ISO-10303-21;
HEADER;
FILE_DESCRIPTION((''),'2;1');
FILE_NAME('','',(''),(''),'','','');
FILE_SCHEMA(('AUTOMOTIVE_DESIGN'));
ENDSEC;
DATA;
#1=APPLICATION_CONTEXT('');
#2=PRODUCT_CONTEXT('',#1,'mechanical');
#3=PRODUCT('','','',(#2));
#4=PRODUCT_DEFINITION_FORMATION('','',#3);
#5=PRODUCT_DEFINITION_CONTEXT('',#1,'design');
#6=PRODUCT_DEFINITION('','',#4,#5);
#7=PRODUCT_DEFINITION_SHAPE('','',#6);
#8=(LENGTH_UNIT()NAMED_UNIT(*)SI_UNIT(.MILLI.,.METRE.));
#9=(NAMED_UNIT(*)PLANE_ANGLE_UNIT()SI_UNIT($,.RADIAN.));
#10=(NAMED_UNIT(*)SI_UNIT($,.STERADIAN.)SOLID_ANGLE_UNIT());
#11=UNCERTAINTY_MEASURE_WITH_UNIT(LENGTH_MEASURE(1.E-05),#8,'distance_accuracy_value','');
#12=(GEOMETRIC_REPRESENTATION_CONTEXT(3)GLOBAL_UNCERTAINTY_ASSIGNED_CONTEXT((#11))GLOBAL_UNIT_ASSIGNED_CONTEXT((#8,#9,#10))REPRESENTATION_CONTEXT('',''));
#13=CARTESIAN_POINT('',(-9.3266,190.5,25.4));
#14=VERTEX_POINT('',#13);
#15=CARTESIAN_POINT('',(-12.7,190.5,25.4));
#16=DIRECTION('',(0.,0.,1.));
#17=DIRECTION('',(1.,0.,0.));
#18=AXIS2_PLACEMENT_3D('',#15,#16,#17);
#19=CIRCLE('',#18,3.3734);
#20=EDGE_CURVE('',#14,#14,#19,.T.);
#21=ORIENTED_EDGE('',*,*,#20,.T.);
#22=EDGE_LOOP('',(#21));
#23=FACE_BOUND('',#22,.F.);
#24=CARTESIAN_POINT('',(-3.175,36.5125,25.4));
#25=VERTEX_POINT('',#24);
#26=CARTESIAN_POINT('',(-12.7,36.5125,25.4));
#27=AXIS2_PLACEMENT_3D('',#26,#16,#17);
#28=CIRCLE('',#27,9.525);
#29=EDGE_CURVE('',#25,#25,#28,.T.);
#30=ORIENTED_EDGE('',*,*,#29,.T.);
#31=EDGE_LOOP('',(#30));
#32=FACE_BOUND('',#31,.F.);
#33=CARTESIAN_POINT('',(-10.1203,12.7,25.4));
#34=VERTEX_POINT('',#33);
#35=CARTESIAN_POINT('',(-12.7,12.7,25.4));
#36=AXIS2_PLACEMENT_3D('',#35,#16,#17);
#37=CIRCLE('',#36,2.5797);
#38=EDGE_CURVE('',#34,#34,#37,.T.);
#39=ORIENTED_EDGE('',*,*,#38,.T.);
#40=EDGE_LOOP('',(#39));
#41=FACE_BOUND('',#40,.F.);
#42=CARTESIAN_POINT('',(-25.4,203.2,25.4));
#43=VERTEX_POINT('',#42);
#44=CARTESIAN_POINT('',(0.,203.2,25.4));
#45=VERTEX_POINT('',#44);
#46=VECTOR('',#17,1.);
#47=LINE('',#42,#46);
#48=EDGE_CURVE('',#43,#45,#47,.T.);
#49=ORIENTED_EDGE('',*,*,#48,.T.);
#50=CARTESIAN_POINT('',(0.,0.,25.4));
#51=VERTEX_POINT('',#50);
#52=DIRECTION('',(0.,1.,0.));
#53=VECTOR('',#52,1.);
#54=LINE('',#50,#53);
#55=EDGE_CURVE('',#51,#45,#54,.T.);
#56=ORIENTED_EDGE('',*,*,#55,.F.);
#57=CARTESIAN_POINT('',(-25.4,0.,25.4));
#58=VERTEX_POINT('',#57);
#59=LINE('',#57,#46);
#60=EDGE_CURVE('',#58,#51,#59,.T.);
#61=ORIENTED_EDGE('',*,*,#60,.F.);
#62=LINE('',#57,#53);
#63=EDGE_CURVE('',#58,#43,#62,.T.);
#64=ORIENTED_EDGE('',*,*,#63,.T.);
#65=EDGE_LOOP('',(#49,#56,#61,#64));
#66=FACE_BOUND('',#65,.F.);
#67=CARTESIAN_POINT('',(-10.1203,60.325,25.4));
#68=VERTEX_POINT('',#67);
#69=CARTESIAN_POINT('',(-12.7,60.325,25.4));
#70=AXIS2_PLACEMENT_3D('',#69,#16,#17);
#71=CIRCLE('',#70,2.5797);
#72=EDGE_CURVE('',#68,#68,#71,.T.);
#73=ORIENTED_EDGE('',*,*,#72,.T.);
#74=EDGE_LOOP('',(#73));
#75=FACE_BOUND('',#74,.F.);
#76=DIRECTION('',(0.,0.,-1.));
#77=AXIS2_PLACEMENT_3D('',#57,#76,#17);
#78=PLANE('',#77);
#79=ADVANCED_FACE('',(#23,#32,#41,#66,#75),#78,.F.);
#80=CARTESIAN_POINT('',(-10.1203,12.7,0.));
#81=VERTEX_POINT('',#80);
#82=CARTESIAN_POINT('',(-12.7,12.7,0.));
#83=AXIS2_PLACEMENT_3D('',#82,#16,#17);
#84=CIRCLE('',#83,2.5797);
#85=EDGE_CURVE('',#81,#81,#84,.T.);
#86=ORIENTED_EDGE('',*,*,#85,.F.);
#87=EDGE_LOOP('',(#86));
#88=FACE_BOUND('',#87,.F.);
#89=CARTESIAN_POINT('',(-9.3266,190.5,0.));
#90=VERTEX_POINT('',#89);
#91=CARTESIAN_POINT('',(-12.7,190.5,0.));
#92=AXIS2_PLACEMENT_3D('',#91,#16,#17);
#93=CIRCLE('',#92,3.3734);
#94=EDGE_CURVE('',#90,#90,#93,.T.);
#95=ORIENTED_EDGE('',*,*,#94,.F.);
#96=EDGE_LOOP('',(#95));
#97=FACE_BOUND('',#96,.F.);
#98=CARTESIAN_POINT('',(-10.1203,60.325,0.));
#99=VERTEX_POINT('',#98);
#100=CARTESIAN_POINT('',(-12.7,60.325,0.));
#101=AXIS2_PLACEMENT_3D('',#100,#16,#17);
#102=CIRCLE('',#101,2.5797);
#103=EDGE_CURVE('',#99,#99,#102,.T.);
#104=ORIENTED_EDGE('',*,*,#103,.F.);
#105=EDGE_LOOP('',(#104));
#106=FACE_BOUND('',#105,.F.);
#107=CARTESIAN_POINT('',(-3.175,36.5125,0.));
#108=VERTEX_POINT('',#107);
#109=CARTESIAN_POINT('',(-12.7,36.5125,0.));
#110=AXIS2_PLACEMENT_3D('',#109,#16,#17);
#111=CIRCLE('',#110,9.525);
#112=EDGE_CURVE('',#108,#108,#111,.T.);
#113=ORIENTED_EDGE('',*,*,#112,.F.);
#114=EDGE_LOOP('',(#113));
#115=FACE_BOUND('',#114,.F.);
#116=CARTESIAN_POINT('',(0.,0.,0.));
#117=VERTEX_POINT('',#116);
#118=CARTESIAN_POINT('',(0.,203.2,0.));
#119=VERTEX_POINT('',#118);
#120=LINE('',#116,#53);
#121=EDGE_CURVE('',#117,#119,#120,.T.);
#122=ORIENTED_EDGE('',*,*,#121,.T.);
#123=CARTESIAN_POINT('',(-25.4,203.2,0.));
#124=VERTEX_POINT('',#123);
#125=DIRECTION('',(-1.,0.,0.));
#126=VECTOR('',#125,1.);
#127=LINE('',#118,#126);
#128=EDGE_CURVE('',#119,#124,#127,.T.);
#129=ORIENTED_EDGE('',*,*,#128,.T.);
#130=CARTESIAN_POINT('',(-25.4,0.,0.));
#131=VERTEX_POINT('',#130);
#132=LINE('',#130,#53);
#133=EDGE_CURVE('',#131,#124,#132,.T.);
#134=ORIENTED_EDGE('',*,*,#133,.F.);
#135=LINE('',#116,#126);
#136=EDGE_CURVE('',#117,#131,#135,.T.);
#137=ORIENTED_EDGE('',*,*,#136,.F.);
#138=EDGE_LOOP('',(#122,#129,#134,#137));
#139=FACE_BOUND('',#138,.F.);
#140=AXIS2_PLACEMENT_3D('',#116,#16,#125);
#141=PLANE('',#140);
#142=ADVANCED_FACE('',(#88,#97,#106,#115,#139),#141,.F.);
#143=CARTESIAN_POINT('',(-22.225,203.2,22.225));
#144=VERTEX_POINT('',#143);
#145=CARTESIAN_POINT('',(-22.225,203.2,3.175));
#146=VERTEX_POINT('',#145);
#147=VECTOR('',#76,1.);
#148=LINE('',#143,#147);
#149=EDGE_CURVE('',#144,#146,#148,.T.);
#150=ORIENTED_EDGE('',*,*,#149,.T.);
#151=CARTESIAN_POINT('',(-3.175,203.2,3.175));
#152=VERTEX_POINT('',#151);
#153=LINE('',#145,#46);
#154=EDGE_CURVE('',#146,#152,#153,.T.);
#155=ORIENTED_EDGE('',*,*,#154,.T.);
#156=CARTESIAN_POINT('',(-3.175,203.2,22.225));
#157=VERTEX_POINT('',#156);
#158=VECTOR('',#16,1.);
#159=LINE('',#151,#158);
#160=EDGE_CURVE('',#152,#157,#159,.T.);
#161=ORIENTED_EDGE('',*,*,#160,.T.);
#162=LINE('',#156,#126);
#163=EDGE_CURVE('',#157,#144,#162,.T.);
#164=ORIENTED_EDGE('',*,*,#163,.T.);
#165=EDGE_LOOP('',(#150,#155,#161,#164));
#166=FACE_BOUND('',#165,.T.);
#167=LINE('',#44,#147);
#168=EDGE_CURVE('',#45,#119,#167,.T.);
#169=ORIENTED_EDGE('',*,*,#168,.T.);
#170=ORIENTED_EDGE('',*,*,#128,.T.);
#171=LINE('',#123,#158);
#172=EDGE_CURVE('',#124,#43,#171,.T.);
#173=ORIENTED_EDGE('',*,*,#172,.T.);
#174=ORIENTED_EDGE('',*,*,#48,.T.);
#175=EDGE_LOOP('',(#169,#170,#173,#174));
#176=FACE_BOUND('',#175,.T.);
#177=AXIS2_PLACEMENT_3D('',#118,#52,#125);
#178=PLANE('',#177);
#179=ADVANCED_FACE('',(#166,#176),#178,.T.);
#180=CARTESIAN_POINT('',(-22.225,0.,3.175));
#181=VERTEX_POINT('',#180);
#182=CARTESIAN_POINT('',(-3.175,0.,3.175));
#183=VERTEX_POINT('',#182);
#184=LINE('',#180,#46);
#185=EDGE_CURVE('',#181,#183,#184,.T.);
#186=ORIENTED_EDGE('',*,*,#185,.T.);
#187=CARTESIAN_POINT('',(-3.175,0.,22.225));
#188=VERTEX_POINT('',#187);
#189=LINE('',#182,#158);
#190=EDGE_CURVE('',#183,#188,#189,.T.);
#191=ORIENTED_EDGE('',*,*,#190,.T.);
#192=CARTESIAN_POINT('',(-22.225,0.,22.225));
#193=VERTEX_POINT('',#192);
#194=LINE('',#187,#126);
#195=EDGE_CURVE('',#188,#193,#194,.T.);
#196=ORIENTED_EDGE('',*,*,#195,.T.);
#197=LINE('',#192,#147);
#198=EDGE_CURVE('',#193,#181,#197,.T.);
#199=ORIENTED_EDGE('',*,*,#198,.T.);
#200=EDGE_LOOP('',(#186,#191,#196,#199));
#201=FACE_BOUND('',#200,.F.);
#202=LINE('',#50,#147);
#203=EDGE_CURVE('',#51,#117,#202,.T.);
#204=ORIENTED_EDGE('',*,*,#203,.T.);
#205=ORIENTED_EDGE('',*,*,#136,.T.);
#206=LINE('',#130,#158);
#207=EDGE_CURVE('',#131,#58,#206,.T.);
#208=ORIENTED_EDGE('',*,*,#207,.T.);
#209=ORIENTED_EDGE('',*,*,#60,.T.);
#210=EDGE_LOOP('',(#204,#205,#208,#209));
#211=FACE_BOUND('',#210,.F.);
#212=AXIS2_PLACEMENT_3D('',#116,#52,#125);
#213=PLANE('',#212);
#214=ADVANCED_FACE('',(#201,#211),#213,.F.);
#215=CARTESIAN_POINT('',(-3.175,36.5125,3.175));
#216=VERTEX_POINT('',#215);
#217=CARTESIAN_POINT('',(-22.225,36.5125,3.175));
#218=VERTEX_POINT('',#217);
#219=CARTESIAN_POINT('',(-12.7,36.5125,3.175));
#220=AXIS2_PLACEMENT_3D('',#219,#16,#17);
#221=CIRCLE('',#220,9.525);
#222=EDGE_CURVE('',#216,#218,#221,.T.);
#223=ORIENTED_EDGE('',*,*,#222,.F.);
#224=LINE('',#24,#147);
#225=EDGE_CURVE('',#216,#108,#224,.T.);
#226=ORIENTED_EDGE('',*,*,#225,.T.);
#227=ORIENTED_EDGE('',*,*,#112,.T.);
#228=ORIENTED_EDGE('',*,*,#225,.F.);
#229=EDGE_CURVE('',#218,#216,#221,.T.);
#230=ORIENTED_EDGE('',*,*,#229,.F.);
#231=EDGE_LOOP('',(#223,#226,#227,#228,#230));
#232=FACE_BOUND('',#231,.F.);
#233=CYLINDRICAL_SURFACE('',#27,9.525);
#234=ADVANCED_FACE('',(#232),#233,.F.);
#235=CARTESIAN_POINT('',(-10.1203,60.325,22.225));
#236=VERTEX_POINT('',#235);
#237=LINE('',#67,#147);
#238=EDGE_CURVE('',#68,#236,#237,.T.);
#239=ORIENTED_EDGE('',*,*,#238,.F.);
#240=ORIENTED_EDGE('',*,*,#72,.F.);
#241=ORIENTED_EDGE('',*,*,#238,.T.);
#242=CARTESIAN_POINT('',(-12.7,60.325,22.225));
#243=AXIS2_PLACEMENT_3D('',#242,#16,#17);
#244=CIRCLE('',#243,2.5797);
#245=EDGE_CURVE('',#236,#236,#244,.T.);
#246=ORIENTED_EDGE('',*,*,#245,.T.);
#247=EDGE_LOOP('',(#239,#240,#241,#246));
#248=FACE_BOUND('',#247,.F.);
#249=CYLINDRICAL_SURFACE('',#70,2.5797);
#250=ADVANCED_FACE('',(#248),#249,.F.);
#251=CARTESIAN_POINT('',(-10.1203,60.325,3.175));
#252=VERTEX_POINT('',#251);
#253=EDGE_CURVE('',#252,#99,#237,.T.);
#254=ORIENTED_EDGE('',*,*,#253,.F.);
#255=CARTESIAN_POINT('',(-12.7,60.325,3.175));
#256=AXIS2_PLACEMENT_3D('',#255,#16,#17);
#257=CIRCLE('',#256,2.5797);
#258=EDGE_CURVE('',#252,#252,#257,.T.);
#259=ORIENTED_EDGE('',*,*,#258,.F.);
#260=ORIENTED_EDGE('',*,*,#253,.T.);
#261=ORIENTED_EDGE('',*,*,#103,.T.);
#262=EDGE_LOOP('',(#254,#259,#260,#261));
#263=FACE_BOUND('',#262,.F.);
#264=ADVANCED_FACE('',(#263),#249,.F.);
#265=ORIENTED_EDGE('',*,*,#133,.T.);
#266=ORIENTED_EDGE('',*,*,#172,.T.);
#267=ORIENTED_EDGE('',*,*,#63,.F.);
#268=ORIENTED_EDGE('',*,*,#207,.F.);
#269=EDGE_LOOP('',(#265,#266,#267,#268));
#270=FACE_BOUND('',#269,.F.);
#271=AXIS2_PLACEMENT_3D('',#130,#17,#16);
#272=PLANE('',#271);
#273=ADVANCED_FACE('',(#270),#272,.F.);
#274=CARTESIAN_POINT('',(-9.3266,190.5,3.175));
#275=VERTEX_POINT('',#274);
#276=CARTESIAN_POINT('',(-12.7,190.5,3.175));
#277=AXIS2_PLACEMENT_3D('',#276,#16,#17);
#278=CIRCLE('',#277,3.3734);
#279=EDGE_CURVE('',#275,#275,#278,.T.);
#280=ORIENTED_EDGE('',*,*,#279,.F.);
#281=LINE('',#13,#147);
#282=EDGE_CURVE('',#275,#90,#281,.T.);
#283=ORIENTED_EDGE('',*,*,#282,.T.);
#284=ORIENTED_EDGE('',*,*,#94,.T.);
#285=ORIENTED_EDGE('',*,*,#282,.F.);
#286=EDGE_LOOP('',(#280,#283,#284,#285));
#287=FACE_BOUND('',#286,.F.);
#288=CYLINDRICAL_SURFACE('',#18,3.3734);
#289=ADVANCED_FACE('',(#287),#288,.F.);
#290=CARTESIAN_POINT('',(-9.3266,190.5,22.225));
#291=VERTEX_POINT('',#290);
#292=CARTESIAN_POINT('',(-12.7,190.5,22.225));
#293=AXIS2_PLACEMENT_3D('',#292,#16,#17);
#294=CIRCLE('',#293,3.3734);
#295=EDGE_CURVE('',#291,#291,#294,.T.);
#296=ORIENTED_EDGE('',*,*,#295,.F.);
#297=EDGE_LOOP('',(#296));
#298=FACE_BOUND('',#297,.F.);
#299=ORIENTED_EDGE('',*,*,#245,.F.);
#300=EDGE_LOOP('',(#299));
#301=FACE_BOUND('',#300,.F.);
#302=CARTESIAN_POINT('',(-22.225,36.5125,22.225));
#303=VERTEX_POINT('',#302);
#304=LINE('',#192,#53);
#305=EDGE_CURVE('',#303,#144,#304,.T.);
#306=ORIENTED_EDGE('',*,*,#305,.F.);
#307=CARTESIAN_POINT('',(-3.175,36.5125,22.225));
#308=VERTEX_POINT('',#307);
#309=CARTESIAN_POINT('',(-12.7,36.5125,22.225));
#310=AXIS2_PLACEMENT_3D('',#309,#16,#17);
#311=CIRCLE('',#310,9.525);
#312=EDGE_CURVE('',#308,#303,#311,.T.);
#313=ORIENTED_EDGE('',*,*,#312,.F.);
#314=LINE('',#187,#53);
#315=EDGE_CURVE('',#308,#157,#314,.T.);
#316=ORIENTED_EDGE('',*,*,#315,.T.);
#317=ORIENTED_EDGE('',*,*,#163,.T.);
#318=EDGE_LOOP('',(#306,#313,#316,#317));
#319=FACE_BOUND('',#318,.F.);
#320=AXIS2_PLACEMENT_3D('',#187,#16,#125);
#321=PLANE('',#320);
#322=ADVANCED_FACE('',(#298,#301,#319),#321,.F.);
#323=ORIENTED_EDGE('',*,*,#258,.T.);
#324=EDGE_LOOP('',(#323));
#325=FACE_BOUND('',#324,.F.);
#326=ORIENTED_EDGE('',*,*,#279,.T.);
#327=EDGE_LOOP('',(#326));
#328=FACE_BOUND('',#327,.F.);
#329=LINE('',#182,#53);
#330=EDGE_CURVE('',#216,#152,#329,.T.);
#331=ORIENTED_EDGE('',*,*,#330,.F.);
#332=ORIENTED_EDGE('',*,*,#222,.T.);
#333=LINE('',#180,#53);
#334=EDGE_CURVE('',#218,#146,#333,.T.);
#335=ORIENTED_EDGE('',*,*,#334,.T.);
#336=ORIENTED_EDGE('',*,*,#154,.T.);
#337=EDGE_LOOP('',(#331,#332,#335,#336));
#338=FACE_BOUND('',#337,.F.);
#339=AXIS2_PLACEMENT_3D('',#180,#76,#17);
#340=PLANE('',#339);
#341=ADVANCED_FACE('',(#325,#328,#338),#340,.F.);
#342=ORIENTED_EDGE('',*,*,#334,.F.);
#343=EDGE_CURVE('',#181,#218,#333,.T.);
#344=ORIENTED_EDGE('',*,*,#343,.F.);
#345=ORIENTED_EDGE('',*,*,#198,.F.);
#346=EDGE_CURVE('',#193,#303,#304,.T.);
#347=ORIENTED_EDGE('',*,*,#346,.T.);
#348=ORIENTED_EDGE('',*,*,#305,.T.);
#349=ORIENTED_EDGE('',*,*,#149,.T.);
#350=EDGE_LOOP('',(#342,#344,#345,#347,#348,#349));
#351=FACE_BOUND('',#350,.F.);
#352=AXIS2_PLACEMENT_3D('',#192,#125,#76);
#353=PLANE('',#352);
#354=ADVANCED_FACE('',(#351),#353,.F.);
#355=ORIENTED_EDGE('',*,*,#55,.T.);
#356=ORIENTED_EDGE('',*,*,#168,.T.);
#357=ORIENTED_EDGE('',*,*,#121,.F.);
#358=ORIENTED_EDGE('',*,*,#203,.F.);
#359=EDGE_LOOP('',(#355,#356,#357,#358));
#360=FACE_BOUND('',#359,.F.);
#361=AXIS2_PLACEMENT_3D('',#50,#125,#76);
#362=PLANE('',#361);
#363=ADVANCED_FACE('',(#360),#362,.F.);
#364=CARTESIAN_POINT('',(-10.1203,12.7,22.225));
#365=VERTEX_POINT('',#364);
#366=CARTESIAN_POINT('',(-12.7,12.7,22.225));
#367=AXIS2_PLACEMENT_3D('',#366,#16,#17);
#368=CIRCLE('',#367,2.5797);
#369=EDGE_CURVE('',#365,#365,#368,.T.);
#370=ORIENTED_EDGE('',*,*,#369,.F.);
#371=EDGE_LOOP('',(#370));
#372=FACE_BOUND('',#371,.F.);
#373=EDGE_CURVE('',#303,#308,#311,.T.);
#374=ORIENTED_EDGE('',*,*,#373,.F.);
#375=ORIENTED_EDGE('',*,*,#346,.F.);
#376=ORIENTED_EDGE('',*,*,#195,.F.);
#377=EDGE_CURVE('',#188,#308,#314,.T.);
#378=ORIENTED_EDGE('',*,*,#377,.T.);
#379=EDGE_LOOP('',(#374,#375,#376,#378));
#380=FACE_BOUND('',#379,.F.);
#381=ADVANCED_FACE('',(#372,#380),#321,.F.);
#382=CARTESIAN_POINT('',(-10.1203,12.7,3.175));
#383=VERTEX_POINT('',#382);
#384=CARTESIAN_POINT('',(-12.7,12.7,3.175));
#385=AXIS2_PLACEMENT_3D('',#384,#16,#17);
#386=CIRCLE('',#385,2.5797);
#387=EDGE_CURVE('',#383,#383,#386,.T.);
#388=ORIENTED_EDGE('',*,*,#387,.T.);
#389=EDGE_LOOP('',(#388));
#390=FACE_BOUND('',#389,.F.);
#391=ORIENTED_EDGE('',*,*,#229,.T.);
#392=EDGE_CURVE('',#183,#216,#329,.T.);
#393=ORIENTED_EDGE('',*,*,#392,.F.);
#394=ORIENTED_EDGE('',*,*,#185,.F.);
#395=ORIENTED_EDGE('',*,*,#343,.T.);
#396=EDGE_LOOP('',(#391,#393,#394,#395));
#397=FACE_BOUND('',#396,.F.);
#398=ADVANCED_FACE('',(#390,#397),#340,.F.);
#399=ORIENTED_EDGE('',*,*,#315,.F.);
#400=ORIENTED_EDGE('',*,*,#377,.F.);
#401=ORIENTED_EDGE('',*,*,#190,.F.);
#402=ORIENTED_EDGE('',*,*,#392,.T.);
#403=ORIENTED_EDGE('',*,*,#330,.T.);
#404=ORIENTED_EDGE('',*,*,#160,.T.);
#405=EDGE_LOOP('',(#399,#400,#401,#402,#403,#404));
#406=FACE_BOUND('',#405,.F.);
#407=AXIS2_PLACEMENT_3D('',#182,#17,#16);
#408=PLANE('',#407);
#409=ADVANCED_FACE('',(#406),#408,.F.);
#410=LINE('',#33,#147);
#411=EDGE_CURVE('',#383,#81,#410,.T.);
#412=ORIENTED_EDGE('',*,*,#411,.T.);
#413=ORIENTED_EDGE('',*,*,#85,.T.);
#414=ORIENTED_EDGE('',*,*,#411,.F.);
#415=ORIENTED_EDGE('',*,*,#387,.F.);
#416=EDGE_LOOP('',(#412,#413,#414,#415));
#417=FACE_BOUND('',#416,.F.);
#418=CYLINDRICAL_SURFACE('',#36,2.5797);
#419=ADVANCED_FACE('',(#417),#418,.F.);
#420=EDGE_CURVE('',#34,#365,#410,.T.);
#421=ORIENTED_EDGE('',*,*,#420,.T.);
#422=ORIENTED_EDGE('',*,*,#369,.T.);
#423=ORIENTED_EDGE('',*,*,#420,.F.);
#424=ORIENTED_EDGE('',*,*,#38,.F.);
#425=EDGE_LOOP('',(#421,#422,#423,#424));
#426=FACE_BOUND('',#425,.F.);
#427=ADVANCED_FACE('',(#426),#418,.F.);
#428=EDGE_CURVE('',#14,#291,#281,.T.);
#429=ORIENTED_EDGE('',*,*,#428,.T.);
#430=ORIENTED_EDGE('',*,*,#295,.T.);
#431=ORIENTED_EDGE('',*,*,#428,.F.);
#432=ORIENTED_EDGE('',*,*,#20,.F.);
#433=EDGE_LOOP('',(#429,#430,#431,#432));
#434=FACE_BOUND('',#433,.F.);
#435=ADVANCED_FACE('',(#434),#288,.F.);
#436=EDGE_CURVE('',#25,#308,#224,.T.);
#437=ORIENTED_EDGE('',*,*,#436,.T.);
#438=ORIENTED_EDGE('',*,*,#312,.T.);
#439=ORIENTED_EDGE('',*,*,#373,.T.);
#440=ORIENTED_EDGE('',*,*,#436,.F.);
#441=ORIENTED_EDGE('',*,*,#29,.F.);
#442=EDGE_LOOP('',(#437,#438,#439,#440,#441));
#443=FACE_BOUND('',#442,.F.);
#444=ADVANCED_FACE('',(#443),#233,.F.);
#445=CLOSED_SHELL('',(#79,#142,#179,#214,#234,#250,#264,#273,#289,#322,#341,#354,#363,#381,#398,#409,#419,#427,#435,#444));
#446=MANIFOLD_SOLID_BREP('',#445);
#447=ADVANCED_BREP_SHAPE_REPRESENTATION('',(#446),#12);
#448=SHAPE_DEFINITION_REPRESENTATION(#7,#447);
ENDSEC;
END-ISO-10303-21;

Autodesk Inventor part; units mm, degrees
ref_plane "YZ Plane" through (0, 0, 0) normal (1, 0, 0) x (0, 1, 0)
ref_plane "XZ Plane" through (0, 0, 0) normal (0, 1, 0) x (-1, 0, 0)
ref_plane "XY Plane" through (0, 0, 0) normal (0, 0, 1) x (1, 0, 0)
sketch "Sketch1" plane through (0, 0, 0) normal (0, 1, 0) x (-1, 0, 0)
  line L0 (0, 0) -> (25.4, 0)
  line L1 (25.4, 0) -> (25.4, 25.4)
  line L2 (25.4, 25.4) -> (0, 25.4)
  line L3 (0, 25.4) -> (0, 0)
  line L4 (22.225, 22.225) -> (22.225, 3.175)
  line L5 (22.225, 3.175) -> (3.175, 3.175)
  line L6 (3.175, 3.175) -> (3.175, 22.225)
  line L7 (3.175, 22.225) -> (22.225, 22.225)
  dimension "d0" = 25.4
  dimension "d1" = 25.4
  dimension "d2" = 3.175
extrude "Extrusion1" add sketch "Sketch1" along normal blind 203.2
sketch "Sketch2" plane through (-25.4, 0, 25.4) normal (0, 0, 1) x (1, 0, 0)
  circle A0 centre (12.7, 12.7) radius 2.5797
  circle A1 centre (12.7, 60.325) radius 2.5797
  line L0 (25.4, 0) -> (25.4, 203.2) projected
  line L1 (0, 0) -> (25.4, 0) projected
  circle A2 centre (12.7, 36.5125) radius 9.525
  circle A3 centre (12.7, 190.5) radius 3.3734
  line L2 (0, 0) -> (0, 203.2) projected
  line L3 (25.4, 203.2) -> (0, 203.2) projected
  dimension "d5" = 5.1594
  dimension "d6" = 5.1594
  dimension "d7" = 47.625
  dimension "d8" = 12.7
  dimension "d9" = 12.7
  dimension "d10" = 12.7
  dimension "d13" = 19.05
  dimension "d14" = 23.8125
  dimension "d15" = 12.7
  dimension "d16" = 6.7469
  dimension "d17" = 12.7
  dimension "d18" = 12.7
extrude "Extrusion2" cut sketch "Sketch2" against normal blind 25.4 contours A0 | A1 | A2 | A3
properties part number "arm replacement"
